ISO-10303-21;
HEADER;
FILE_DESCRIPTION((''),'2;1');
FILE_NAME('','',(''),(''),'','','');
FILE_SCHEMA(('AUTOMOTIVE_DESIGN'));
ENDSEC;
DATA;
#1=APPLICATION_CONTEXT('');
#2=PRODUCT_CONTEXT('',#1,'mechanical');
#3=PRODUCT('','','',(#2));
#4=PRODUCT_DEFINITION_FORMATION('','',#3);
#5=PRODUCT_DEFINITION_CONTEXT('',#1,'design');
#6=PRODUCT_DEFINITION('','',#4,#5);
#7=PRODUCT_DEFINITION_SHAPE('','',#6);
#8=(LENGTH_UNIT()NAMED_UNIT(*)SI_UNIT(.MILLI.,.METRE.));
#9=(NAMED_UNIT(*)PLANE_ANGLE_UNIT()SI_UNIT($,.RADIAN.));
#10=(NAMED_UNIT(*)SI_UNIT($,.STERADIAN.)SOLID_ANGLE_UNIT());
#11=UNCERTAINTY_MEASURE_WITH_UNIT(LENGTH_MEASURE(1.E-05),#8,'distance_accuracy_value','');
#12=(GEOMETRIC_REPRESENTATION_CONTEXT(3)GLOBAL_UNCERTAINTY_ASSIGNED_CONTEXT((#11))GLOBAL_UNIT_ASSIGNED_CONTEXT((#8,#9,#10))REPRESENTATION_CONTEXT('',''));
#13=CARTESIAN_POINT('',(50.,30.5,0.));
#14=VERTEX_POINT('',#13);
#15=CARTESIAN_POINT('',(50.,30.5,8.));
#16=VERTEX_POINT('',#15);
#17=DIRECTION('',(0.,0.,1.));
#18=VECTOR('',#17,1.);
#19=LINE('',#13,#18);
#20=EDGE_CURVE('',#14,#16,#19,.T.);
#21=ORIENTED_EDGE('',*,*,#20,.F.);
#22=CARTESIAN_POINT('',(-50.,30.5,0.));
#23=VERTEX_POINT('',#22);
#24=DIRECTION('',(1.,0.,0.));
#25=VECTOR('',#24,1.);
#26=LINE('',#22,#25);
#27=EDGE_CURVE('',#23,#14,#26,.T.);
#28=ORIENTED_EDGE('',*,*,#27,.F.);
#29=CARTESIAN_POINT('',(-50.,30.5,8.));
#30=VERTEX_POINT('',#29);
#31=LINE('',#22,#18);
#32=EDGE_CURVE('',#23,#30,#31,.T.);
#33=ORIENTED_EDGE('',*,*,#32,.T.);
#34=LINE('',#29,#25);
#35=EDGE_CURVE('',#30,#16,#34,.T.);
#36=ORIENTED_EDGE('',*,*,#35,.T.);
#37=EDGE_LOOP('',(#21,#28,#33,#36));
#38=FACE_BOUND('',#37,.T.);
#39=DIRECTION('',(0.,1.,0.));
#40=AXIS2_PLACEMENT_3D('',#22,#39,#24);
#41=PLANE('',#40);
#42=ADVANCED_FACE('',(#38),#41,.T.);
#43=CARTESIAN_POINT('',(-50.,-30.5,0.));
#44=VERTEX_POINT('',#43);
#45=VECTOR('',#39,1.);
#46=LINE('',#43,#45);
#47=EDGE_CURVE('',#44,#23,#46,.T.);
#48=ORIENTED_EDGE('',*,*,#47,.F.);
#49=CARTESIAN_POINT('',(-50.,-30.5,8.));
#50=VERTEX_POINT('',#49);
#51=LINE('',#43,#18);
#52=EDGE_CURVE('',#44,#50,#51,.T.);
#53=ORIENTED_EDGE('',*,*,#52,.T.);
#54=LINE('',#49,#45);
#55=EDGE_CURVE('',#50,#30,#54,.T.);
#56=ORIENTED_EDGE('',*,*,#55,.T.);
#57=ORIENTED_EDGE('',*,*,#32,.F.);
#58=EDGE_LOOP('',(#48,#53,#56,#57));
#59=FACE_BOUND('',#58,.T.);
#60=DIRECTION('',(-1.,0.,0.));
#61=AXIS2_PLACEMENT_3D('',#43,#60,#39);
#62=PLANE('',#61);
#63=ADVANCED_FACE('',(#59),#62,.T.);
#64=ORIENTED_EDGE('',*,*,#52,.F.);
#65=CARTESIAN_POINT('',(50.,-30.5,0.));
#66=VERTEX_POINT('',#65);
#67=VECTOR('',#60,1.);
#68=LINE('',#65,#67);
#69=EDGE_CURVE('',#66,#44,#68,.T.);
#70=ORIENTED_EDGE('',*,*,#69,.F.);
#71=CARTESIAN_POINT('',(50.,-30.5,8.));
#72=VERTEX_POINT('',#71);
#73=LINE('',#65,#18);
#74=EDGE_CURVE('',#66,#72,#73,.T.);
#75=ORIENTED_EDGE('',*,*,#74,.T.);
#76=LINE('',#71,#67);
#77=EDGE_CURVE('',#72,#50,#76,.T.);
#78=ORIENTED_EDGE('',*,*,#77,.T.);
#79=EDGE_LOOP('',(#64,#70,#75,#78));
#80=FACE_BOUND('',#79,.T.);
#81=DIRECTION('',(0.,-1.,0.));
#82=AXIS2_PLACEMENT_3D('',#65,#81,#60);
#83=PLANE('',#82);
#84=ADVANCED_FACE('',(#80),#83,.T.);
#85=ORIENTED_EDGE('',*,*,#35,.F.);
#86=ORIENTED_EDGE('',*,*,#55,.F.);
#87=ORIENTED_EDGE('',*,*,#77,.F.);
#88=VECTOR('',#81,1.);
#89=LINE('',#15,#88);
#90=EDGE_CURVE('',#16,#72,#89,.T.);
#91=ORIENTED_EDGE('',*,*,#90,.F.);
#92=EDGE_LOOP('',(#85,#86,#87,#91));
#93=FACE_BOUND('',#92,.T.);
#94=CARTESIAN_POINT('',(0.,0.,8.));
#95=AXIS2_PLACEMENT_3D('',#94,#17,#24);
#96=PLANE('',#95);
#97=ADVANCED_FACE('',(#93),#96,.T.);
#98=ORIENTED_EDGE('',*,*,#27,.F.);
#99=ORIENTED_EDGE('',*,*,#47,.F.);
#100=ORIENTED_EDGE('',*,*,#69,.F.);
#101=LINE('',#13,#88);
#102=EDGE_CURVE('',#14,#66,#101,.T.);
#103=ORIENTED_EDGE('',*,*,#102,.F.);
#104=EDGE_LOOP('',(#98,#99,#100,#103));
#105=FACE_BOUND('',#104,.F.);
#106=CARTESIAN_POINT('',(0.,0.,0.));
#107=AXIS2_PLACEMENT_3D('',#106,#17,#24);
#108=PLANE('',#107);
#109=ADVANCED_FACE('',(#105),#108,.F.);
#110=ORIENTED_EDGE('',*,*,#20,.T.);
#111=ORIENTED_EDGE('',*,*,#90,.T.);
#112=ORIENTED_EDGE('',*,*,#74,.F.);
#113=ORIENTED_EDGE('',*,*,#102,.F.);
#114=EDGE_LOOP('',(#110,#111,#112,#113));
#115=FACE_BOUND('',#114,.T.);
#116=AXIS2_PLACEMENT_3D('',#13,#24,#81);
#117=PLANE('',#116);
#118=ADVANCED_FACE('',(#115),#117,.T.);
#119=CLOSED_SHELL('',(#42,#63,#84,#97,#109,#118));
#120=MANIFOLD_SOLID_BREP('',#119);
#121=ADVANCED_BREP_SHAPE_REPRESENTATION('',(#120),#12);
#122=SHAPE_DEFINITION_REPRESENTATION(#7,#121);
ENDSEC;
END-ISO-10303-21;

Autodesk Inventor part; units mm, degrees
ref_plane "YZ Plane" through (0, 0, 0) normal (1, 0, 0) x (0, 1, 0)
ref_plane "XZ Plane" through (0, 0, 0) normal (0, 1, 0) x (-1, 0, 0)
ref_plane "XY Plane" through (0, 0, 0) normal (0, 0, 1) x (1, 0, 0)
sketch "Schizzo1" plane through (0, 0, 0) normal (0, 0, 1) x (1, 0, 0)
  line L0 (-50, 30.5) -> (50, 30.5)
  line L1 (50, 30.5) -> (50, -30.5)
  line L2 (50, -30.5) -> (-50, -30.5)
  line L3 (-50, -30.5) -> (-50, 30.5)
  line L4 (-50, 30.5) -> (50, -30.5) construction
  line L5 (50, 30.5) -> (-50, -30.5) construction
  point P0 (0, 0)
  dimension "d0" = 100
  dimension "d1" = 61
extrude "Estrusione1" add sketch "Schizzo1" along normal blind 8
properties part number "Base supp.saldato"
